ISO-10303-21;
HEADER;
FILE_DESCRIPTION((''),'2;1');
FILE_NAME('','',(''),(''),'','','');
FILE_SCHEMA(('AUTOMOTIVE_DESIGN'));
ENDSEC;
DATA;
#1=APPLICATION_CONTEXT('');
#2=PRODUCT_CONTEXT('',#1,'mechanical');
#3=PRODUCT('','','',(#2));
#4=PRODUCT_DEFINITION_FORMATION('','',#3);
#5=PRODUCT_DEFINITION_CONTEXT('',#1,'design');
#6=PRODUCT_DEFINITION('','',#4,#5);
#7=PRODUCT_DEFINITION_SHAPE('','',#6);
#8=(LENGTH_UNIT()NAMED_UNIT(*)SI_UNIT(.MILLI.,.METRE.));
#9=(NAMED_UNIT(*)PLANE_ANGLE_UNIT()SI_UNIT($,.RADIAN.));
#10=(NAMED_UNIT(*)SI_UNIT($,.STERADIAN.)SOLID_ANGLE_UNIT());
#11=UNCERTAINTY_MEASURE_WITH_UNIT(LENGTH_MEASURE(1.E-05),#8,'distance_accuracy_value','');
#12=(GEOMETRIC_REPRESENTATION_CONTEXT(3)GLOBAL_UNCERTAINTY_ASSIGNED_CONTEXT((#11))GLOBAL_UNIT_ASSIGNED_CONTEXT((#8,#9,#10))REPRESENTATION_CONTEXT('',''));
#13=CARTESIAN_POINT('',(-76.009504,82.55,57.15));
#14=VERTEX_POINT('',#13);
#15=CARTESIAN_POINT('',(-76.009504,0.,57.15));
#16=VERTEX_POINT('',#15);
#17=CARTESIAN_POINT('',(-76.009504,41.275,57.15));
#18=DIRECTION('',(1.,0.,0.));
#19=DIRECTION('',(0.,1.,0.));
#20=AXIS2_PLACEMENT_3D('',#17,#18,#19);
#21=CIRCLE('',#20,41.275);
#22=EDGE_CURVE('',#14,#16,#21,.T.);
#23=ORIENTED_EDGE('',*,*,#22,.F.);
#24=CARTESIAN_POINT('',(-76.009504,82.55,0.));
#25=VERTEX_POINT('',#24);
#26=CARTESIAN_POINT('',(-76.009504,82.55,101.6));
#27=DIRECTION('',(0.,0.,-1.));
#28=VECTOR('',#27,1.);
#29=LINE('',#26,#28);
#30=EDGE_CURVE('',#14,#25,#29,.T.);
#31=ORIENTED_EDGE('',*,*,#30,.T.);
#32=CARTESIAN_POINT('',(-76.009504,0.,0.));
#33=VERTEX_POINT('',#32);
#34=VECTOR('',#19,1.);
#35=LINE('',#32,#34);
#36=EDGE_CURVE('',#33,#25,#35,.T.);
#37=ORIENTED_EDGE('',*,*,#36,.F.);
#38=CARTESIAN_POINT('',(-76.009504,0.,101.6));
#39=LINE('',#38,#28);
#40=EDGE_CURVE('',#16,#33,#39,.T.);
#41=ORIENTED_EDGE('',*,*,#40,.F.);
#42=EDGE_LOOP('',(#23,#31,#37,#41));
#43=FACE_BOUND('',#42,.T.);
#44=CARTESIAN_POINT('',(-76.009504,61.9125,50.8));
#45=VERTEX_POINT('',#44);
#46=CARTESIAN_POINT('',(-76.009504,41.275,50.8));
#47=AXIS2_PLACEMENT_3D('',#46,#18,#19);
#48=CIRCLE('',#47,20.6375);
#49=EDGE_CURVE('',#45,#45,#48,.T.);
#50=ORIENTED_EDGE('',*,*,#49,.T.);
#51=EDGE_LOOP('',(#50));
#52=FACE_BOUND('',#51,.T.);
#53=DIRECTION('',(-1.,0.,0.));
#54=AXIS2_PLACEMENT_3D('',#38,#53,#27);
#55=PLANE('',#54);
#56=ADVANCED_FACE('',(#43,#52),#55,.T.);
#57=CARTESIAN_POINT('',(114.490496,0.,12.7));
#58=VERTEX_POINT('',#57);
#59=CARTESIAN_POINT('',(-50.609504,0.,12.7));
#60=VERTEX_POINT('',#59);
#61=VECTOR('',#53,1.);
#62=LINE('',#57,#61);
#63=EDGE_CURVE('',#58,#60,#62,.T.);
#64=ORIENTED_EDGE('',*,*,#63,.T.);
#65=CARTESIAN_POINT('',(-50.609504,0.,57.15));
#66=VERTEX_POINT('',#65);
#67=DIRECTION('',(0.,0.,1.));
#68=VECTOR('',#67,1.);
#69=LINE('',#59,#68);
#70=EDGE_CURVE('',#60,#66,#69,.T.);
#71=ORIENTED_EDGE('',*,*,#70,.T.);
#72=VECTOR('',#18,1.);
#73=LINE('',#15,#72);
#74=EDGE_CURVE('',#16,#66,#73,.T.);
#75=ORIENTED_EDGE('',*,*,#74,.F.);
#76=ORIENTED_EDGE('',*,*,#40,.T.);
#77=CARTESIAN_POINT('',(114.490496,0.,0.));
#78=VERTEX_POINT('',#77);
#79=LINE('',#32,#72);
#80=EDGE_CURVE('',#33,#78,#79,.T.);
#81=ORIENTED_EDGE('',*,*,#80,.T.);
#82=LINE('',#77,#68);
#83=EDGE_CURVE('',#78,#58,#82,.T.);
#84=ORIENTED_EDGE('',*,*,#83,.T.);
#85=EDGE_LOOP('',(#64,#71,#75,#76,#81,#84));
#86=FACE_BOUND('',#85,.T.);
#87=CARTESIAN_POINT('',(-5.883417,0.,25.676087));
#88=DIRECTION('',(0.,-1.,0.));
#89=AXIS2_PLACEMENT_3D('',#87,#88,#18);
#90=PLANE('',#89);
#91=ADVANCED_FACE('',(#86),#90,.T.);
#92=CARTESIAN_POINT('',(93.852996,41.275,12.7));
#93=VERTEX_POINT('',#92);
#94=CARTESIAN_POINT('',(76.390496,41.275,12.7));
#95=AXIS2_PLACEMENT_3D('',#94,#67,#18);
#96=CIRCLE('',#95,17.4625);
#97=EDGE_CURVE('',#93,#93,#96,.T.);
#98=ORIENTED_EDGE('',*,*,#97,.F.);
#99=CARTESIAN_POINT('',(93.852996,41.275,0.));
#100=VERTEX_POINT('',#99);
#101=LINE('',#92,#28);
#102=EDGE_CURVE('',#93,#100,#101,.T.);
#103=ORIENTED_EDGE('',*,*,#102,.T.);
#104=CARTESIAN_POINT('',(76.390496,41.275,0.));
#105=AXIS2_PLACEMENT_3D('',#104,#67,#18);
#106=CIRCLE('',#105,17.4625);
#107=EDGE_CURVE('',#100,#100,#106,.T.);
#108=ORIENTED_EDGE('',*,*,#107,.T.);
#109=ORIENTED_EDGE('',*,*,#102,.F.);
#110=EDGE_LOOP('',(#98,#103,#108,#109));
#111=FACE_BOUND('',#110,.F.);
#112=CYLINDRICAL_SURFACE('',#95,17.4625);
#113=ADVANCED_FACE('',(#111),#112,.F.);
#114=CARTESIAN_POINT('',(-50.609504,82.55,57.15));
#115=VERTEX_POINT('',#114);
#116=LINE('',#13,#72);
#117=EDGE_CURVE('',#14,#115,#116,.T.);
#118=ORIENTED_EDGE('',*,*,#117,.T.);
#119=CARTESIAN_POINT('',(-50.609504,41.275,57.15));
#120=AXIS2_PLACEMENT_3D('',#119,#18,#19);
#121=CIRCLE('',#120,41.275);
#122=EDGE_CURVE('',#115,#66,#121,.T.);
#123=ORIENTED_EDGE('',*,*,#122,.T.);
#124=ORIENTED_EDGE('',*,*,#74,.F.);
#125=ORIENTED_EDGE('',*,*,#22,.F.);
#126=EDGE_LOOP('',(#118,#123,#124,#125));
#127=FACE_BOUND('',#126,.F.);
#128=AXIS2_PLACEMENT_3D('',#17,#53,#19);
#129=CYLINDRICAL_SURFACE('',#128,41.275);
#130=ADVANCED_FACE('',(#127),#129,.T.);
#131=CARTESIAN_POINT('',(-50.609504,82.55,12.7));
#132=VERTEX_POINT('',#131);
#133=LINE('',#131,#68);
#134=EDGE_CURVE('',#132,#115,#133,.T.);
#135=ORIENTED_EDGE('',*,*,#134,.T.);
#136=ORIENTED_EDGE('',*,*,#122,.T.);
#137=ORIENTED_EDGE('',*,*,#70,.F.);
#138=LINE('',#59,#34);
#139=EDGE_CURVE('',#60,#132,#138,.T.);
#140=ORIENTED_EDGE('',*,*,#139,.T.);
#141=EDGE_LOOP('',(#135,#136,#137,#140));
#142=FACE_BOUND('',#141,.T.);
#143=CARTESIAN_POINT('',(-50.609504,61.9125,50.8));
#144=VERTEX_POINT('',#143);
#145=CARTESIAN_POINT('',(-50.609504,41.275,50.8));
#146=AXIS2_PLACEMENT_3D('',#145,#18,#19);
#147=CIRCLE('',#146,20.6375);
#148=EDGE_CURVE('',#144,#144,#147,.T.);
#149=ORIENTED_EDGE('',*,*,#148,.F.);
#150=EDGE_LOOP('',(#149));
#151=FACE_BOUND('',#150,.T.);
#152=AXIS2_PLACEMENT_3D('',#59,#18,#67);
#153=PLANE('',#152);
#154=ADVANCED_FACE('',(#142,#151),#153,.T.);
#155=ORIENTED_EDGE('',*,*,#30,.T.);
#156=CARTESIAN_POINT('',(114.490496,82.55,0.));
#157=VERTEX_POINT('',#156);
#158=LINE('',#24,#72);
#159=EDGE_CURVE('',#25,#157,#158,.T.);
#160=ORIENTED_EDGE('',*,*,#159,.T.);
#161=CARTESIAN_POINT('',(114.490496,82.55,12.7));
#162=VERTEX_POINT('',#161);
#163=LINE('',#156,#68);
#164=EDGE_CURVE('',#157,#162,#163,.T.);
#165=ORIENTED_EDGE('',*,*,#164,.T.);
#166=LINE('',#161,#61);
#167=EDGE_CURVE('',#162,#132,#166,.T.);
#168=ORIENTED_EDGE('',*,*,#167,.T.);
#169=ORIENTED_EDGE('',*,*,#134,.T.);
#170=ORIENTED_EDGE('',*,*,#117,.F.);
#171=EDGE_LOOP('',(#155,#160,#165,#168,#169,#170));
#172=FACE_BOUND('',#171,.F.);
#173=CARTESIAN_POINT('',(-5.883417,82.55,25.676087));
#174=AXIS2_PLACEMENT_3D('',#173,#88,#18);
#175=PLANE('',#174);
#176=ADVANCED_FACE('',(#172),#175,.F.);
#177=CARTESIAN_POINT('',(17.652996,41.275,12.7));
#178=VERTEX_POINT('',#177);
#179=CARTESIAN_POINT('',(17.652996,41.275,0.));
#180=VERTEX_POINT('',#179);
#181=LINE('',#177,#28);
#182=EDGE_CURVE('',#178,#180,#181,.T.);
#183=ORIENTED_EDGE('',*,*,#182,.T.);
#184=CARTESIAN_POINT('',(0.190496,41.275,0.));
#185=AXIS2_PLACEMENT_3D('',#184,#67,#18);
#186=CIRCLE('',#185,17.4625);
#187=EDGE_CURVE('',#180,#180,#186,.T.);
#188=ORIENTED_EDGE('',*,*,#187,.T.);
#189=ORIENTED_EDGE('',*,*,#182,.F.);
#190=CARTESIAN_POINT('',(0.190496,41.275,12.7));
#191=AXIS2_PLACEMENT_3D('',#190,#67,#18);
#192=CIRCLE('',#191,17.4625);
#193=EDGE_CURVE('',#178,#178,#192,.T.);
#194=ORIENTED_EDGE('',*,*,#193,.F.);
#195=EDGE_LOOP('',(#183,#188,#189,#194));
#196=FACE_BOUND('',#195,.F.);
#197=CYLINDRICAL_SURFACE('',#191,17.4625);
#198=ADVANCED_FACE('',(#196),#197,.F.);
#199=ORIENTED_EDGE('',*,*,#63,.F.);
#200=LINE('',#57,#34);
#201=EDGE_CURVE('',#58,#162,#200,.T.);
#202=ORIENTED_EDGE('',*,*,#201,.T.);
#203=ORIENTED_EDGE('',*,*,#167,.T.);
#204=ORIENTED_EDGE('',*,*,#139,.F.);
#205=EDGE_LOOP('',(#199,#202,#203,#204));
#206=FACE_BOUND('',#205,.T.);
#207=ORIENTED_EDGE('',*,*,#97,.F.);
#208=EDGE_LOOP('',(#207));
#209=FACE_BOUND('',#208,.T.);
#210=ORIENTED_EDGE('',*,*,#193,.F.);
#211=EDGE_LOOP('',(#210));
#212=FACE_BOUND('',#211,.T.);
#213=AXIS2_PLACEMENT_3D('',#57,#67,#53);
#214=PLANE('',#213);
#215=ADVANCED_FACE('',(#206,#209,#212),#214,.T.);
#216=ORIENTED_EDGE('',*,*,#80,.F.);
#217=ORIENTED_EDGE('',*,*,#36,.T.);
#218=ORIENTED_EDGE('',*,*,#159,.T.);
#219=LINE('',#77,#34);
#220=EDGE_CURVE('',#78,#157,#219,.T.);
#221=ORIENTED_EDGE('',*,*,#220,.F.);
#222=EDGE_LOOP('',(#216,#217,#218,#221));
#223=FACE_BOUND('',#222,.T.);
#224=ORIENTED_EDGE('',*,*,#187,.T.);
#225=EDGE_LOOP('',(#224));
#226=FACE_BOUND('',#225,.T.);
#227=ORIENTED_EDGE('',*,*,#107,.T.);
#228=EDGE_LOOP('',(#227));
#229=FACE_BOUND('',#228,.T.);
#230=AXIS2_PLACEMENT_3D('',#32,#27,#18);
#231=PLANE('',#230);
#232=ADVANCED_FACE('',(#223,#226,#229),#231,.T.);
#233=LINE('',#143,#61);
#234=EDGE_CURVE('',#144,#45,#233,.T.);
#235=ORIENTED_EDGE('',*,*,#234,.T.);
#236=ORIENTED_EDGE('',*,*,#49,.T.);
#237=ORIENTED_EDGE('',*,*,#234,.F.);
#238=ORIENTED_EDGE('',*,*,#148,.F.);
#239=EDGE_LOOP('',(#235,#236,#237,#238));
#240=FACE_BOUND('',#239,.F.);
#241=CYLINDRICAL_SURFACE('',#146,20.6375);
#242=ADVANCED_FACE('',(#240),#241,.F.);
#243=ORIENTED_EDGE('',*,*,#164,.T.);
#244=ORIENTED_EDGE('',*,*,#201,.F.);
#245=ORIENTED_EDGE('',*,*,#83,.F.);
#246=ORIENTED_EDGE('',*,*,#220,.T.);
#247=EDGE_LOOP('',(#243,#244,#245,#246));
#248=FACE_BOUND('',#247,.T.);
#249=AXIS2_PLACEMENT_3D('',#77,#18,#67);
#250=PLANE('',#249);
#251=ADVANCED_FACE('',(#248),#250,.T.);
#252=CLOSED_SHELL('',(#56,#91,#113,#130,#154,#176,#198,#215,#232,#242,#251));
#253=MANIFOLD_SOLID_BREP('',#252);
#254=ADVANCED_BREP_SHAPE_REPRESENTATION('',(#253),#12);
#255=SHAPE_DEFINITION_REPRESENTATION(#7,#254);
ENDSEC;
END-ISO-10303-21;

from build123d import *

# Parameters (mm, degrees)
F1_DEPTH = 82.55
F2_R     = 17.4625
F3_DEPTH = 25.4
F5_DEPTH = 25.4
F6_R     = 20.6375
F7_DEPTH = 50.8


with BuildPart() as f1:
    # F0 (on Front) → F1 (new body)
    with BuildSketch(Plane.XZ):
        Polygon((-76.009504, 101.6), (-76.009504, 0), (114.490496, 0), (114.490496, 12.7), (-50.609504, 12.7), (-50.609504, 101.6), align=None)
    extrude(amount=-F1_DEPTH)

    # F2 (on face) → F3 (cut)
    with BuildSketch(Plane.XY.offset(12.7)):
        with Locations((0.190496, 41.275)):
            Circle(F2_R)
        with Locations((76.390496, 41.275)):
            Circle(F2_R)
    extrude(amount=-F3_DEPTH, mode=Mode.SUBTRACT)

    # F4 (on face) → F5 (cut)
    with BuildSketch(Plane(origin=(-76.009504, 0, 0), x_dir=(0, -1, 0), z_dir=(-1, 0, 0))):
        with BuildLine():
            ThreePointArc((-82.55, 57.15), (-41.275, 98.425), (0, 57.15))
            Line((0, 57.15), (0, 101.6))
            Line((0, 101.6), (-82.55, 101.6))
            Line((-82.55, 101.6), (-82.55, 57.15))
        make_face()
    extrude(amount=-F5_DEPTH, mode=Mode.SUBTRACT)

    # F6 (on face) → F7 (cut)
    with BuildSketch(Plane.YZ.offset(-50.609504)):
        with Locations((41.275, 50.8)):
            Circle(F6_R)
    extrude(amount=-F7_DEPTH, mode=Mode.SUBTRACT)


solid = f1.part
